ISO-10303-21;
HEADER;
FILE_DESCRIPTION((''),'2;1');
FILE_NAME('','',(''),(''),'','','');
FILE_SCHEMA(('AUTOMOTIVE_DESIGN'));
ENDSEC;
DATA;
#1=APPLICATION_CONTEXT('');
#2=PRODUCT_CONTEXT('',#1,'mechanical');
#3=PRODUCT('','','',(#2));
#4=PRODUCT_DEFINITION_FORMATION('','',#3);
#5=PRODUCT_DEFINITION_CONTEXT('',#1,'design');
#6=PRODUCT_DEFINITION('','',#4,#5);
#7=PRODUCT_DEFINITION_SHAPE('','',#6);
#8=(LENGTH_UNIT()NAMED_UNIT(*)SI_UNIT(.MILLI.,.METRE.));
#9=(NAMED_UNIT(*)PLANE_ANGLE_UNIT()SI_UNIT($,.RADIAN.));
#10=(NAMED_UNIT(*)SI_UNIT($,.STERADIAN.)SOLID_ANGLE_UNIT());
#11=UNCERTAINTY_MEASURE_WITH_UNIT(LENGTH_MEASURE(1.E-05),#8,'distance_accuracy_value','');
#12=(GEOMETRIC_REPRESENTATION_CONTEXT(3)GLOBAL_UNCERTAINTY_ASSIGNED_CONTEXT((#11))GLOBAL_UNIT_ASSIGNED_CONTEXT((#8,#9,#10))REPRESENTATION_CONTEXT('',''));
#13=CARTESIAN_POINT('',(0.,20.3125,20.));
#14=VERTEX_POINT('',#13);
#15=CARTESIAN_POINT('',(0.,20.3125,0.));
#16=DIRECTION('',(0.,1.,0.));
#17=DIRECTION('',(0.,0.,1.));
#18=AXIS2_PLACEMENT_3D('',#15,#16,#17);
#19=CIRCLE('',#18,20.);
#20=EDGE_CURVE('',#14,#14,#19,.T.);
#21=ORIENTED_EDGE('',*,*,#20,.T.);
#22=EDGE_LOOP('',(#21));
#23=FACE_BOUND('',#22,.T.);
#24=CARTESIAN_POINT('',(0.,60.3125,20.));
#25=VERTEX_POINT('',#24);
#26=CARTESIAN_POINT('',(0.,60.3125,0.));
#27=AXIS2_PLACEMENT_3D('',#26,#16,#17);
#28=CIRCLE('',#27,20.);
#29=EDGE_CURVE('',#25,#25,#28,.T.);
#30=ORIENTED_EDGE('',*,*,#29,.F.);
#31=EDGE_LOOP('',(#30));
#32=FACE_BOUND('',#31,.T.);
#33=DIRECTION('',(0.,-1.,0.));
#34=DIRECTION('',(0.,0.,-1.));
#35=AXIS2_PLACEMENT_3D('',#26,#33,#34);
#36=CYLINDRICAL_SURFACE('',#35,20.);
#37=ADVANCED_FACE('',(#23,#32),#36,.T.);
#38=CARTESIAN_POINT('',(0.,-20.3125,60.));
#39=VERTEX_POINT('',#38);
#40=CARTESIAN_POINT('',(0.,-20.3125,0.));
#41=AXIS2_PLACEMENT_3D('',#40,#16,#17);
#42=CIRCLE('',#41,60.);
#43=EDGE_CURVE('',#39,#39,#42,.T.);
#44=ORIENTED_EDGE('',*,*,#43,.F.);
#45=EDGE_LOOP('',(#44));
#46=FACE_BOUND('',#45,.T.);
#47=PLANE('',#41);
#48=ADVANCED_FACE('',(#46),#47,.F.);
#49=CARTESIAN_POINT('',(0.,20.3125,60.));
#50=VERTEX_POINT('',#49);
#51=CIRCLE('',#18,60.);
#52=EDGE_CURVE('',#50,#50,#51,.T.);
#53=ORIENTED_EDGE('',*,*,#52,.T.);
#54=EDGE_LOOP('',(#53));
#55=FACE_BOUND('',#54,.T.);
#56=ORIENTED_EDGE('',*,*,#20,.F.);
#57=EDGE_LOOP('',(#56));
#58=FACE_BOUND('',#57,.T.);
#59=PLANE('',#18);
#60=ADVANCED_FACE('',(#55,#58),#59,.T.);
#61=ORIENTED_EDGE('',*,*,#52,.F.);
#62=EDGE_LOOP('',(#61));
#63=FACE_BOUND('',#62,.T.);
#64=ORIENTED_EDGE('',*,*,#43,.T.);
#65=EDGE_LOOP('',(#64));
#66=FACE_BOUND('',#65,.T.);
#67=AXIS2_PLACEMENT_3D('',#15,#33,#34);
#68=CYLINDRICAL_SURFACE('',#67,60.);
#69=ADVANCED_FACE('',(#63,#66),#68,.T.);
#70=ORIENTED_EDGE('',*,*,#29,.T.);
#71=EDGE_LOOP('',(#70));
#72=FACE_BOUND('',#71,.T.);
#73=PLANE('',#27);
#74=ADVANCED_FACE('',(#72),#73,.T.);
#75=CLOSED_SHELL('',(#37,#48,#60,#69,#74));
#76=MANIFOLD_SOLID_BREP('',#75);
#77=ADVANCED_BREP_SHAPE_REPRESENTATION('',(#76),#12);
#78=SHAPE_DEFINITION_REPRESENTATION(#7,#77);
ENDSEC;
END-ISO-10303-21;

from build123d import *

# Parameters (mm, degrees)
SKETCH1_LINK0_R     = 60
BOSS_EXTRUDE1_DEPTH = 20.3125
SKETCH2_LINK0_R     = 20
BOSS_EXTRUDE2_DEPTH = 40


with BuildPart() as part:
    # sketch1_link0 → Boss-Extrude1 (new body, symmetric)
    with BuildSketch(Plane(origin=(0, 0, 0), x_dir=(1, 0, 0), z_dir=(0, 1, 0))):
        Circle(SKETCH1_LINK0_R)
    extrude(amount=BOSS_EXTRUDE1_DEPTH, both=True)

    # sketch2_link0 → Boss-Extrude2 (add)
    with BuildSketch(Plane(origin=(0, 20.3125, 0), x_dir=(1, 0, 0), z_dir=(0, 1, 0))):
        Circle(SKETCH2_LINK0_R)
    extrude(amount=BOSS_EXTRUDE2_DEPTH)


solid = part.part
